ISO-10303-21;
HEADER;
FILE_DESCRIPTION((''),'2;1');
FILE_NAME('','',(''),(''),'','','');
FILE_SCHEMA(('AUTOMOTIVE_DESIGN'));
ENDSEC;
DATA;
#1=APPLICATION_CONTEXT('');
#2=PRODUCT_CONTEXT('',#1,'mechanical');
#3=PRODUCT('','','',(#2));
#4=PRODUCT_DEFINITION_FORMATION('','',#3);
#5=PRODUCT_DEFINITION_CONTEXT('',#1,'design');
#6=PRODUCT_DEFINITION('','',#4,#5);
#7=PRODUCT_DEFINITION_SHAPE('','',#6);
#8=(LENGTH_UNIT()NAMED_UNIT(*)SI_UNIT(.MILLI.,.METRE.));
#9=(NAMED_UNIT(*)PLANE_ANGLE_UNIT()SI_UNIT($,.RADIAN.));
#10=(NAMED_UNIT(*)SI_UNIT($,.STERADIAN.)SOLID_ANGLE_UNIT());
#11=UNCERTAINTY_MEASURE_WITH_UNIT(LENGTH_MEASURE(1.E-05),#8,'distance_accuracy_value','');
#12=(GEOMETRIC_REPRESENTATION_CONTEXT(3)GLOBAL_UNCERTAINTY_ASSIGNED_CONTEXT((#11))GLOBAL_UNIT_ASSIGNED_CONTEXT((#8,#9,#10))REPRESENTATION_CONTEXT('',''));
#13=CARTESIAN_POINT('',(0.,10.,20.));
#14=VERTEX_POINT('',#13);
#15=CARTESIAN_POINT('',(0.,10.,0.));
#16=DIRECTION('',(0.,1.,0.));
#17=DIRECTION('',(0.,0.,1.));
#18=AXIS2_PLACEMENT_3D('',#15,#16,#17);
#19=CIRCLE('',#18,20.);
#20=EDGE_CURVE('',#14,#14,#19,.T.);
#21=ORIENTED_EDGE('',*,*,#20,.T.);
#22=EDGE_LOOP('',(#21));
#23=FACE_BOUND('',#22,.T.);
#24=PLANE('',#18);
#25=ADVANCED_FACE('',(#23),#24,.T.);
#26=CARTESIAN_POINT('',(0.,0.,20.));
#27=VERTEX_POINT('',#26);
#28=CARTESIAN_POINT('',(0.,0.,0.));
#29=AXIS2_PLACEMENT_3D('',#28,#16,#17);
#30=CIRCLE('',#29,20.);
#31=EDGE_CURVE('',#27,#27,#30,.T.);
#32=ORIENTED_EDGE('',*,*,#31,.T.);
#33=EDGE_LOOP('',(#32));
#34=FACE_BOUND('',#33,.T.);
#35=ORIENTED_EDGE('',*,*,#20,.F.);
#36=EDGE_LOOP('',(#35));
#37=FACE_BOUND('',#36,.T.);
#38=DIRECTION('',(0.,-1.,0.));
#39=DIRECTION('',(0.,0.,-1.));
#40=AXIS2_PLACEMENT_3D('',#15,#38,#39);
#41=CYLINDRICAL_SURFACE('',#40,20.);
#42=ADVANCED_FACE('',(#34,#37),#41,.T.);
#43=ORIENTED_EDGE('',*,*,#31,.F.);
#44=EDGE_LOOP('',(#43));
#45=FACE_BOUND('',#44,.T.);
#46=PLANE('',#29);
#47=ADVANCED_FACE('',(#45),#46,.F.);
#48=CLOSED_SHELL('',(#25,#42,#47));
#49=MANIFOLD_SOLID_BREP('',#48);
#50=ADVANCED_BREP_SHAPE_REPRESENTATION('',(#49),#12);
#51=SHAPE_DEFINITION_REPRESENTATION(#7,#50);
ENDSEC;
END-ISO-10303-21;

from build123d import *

# Parameters (mm, degrees)
SKETCH_1_R      = 20
EXTRUDE_1_DEPTH = 10


with BuildPart() as part:
    # Эскиз1 → Бобышка-Вытянуть1 (new body)
    with BuildSketch(Plane(origin=(0, 0, 0), x_dir=(1, 0, 0), z_dir=(0, 1, 0))):
        Circle(SKETCH_1_R)
    extrude(amount=EXTRUDE_1_DEPTH)


solid = part.part
